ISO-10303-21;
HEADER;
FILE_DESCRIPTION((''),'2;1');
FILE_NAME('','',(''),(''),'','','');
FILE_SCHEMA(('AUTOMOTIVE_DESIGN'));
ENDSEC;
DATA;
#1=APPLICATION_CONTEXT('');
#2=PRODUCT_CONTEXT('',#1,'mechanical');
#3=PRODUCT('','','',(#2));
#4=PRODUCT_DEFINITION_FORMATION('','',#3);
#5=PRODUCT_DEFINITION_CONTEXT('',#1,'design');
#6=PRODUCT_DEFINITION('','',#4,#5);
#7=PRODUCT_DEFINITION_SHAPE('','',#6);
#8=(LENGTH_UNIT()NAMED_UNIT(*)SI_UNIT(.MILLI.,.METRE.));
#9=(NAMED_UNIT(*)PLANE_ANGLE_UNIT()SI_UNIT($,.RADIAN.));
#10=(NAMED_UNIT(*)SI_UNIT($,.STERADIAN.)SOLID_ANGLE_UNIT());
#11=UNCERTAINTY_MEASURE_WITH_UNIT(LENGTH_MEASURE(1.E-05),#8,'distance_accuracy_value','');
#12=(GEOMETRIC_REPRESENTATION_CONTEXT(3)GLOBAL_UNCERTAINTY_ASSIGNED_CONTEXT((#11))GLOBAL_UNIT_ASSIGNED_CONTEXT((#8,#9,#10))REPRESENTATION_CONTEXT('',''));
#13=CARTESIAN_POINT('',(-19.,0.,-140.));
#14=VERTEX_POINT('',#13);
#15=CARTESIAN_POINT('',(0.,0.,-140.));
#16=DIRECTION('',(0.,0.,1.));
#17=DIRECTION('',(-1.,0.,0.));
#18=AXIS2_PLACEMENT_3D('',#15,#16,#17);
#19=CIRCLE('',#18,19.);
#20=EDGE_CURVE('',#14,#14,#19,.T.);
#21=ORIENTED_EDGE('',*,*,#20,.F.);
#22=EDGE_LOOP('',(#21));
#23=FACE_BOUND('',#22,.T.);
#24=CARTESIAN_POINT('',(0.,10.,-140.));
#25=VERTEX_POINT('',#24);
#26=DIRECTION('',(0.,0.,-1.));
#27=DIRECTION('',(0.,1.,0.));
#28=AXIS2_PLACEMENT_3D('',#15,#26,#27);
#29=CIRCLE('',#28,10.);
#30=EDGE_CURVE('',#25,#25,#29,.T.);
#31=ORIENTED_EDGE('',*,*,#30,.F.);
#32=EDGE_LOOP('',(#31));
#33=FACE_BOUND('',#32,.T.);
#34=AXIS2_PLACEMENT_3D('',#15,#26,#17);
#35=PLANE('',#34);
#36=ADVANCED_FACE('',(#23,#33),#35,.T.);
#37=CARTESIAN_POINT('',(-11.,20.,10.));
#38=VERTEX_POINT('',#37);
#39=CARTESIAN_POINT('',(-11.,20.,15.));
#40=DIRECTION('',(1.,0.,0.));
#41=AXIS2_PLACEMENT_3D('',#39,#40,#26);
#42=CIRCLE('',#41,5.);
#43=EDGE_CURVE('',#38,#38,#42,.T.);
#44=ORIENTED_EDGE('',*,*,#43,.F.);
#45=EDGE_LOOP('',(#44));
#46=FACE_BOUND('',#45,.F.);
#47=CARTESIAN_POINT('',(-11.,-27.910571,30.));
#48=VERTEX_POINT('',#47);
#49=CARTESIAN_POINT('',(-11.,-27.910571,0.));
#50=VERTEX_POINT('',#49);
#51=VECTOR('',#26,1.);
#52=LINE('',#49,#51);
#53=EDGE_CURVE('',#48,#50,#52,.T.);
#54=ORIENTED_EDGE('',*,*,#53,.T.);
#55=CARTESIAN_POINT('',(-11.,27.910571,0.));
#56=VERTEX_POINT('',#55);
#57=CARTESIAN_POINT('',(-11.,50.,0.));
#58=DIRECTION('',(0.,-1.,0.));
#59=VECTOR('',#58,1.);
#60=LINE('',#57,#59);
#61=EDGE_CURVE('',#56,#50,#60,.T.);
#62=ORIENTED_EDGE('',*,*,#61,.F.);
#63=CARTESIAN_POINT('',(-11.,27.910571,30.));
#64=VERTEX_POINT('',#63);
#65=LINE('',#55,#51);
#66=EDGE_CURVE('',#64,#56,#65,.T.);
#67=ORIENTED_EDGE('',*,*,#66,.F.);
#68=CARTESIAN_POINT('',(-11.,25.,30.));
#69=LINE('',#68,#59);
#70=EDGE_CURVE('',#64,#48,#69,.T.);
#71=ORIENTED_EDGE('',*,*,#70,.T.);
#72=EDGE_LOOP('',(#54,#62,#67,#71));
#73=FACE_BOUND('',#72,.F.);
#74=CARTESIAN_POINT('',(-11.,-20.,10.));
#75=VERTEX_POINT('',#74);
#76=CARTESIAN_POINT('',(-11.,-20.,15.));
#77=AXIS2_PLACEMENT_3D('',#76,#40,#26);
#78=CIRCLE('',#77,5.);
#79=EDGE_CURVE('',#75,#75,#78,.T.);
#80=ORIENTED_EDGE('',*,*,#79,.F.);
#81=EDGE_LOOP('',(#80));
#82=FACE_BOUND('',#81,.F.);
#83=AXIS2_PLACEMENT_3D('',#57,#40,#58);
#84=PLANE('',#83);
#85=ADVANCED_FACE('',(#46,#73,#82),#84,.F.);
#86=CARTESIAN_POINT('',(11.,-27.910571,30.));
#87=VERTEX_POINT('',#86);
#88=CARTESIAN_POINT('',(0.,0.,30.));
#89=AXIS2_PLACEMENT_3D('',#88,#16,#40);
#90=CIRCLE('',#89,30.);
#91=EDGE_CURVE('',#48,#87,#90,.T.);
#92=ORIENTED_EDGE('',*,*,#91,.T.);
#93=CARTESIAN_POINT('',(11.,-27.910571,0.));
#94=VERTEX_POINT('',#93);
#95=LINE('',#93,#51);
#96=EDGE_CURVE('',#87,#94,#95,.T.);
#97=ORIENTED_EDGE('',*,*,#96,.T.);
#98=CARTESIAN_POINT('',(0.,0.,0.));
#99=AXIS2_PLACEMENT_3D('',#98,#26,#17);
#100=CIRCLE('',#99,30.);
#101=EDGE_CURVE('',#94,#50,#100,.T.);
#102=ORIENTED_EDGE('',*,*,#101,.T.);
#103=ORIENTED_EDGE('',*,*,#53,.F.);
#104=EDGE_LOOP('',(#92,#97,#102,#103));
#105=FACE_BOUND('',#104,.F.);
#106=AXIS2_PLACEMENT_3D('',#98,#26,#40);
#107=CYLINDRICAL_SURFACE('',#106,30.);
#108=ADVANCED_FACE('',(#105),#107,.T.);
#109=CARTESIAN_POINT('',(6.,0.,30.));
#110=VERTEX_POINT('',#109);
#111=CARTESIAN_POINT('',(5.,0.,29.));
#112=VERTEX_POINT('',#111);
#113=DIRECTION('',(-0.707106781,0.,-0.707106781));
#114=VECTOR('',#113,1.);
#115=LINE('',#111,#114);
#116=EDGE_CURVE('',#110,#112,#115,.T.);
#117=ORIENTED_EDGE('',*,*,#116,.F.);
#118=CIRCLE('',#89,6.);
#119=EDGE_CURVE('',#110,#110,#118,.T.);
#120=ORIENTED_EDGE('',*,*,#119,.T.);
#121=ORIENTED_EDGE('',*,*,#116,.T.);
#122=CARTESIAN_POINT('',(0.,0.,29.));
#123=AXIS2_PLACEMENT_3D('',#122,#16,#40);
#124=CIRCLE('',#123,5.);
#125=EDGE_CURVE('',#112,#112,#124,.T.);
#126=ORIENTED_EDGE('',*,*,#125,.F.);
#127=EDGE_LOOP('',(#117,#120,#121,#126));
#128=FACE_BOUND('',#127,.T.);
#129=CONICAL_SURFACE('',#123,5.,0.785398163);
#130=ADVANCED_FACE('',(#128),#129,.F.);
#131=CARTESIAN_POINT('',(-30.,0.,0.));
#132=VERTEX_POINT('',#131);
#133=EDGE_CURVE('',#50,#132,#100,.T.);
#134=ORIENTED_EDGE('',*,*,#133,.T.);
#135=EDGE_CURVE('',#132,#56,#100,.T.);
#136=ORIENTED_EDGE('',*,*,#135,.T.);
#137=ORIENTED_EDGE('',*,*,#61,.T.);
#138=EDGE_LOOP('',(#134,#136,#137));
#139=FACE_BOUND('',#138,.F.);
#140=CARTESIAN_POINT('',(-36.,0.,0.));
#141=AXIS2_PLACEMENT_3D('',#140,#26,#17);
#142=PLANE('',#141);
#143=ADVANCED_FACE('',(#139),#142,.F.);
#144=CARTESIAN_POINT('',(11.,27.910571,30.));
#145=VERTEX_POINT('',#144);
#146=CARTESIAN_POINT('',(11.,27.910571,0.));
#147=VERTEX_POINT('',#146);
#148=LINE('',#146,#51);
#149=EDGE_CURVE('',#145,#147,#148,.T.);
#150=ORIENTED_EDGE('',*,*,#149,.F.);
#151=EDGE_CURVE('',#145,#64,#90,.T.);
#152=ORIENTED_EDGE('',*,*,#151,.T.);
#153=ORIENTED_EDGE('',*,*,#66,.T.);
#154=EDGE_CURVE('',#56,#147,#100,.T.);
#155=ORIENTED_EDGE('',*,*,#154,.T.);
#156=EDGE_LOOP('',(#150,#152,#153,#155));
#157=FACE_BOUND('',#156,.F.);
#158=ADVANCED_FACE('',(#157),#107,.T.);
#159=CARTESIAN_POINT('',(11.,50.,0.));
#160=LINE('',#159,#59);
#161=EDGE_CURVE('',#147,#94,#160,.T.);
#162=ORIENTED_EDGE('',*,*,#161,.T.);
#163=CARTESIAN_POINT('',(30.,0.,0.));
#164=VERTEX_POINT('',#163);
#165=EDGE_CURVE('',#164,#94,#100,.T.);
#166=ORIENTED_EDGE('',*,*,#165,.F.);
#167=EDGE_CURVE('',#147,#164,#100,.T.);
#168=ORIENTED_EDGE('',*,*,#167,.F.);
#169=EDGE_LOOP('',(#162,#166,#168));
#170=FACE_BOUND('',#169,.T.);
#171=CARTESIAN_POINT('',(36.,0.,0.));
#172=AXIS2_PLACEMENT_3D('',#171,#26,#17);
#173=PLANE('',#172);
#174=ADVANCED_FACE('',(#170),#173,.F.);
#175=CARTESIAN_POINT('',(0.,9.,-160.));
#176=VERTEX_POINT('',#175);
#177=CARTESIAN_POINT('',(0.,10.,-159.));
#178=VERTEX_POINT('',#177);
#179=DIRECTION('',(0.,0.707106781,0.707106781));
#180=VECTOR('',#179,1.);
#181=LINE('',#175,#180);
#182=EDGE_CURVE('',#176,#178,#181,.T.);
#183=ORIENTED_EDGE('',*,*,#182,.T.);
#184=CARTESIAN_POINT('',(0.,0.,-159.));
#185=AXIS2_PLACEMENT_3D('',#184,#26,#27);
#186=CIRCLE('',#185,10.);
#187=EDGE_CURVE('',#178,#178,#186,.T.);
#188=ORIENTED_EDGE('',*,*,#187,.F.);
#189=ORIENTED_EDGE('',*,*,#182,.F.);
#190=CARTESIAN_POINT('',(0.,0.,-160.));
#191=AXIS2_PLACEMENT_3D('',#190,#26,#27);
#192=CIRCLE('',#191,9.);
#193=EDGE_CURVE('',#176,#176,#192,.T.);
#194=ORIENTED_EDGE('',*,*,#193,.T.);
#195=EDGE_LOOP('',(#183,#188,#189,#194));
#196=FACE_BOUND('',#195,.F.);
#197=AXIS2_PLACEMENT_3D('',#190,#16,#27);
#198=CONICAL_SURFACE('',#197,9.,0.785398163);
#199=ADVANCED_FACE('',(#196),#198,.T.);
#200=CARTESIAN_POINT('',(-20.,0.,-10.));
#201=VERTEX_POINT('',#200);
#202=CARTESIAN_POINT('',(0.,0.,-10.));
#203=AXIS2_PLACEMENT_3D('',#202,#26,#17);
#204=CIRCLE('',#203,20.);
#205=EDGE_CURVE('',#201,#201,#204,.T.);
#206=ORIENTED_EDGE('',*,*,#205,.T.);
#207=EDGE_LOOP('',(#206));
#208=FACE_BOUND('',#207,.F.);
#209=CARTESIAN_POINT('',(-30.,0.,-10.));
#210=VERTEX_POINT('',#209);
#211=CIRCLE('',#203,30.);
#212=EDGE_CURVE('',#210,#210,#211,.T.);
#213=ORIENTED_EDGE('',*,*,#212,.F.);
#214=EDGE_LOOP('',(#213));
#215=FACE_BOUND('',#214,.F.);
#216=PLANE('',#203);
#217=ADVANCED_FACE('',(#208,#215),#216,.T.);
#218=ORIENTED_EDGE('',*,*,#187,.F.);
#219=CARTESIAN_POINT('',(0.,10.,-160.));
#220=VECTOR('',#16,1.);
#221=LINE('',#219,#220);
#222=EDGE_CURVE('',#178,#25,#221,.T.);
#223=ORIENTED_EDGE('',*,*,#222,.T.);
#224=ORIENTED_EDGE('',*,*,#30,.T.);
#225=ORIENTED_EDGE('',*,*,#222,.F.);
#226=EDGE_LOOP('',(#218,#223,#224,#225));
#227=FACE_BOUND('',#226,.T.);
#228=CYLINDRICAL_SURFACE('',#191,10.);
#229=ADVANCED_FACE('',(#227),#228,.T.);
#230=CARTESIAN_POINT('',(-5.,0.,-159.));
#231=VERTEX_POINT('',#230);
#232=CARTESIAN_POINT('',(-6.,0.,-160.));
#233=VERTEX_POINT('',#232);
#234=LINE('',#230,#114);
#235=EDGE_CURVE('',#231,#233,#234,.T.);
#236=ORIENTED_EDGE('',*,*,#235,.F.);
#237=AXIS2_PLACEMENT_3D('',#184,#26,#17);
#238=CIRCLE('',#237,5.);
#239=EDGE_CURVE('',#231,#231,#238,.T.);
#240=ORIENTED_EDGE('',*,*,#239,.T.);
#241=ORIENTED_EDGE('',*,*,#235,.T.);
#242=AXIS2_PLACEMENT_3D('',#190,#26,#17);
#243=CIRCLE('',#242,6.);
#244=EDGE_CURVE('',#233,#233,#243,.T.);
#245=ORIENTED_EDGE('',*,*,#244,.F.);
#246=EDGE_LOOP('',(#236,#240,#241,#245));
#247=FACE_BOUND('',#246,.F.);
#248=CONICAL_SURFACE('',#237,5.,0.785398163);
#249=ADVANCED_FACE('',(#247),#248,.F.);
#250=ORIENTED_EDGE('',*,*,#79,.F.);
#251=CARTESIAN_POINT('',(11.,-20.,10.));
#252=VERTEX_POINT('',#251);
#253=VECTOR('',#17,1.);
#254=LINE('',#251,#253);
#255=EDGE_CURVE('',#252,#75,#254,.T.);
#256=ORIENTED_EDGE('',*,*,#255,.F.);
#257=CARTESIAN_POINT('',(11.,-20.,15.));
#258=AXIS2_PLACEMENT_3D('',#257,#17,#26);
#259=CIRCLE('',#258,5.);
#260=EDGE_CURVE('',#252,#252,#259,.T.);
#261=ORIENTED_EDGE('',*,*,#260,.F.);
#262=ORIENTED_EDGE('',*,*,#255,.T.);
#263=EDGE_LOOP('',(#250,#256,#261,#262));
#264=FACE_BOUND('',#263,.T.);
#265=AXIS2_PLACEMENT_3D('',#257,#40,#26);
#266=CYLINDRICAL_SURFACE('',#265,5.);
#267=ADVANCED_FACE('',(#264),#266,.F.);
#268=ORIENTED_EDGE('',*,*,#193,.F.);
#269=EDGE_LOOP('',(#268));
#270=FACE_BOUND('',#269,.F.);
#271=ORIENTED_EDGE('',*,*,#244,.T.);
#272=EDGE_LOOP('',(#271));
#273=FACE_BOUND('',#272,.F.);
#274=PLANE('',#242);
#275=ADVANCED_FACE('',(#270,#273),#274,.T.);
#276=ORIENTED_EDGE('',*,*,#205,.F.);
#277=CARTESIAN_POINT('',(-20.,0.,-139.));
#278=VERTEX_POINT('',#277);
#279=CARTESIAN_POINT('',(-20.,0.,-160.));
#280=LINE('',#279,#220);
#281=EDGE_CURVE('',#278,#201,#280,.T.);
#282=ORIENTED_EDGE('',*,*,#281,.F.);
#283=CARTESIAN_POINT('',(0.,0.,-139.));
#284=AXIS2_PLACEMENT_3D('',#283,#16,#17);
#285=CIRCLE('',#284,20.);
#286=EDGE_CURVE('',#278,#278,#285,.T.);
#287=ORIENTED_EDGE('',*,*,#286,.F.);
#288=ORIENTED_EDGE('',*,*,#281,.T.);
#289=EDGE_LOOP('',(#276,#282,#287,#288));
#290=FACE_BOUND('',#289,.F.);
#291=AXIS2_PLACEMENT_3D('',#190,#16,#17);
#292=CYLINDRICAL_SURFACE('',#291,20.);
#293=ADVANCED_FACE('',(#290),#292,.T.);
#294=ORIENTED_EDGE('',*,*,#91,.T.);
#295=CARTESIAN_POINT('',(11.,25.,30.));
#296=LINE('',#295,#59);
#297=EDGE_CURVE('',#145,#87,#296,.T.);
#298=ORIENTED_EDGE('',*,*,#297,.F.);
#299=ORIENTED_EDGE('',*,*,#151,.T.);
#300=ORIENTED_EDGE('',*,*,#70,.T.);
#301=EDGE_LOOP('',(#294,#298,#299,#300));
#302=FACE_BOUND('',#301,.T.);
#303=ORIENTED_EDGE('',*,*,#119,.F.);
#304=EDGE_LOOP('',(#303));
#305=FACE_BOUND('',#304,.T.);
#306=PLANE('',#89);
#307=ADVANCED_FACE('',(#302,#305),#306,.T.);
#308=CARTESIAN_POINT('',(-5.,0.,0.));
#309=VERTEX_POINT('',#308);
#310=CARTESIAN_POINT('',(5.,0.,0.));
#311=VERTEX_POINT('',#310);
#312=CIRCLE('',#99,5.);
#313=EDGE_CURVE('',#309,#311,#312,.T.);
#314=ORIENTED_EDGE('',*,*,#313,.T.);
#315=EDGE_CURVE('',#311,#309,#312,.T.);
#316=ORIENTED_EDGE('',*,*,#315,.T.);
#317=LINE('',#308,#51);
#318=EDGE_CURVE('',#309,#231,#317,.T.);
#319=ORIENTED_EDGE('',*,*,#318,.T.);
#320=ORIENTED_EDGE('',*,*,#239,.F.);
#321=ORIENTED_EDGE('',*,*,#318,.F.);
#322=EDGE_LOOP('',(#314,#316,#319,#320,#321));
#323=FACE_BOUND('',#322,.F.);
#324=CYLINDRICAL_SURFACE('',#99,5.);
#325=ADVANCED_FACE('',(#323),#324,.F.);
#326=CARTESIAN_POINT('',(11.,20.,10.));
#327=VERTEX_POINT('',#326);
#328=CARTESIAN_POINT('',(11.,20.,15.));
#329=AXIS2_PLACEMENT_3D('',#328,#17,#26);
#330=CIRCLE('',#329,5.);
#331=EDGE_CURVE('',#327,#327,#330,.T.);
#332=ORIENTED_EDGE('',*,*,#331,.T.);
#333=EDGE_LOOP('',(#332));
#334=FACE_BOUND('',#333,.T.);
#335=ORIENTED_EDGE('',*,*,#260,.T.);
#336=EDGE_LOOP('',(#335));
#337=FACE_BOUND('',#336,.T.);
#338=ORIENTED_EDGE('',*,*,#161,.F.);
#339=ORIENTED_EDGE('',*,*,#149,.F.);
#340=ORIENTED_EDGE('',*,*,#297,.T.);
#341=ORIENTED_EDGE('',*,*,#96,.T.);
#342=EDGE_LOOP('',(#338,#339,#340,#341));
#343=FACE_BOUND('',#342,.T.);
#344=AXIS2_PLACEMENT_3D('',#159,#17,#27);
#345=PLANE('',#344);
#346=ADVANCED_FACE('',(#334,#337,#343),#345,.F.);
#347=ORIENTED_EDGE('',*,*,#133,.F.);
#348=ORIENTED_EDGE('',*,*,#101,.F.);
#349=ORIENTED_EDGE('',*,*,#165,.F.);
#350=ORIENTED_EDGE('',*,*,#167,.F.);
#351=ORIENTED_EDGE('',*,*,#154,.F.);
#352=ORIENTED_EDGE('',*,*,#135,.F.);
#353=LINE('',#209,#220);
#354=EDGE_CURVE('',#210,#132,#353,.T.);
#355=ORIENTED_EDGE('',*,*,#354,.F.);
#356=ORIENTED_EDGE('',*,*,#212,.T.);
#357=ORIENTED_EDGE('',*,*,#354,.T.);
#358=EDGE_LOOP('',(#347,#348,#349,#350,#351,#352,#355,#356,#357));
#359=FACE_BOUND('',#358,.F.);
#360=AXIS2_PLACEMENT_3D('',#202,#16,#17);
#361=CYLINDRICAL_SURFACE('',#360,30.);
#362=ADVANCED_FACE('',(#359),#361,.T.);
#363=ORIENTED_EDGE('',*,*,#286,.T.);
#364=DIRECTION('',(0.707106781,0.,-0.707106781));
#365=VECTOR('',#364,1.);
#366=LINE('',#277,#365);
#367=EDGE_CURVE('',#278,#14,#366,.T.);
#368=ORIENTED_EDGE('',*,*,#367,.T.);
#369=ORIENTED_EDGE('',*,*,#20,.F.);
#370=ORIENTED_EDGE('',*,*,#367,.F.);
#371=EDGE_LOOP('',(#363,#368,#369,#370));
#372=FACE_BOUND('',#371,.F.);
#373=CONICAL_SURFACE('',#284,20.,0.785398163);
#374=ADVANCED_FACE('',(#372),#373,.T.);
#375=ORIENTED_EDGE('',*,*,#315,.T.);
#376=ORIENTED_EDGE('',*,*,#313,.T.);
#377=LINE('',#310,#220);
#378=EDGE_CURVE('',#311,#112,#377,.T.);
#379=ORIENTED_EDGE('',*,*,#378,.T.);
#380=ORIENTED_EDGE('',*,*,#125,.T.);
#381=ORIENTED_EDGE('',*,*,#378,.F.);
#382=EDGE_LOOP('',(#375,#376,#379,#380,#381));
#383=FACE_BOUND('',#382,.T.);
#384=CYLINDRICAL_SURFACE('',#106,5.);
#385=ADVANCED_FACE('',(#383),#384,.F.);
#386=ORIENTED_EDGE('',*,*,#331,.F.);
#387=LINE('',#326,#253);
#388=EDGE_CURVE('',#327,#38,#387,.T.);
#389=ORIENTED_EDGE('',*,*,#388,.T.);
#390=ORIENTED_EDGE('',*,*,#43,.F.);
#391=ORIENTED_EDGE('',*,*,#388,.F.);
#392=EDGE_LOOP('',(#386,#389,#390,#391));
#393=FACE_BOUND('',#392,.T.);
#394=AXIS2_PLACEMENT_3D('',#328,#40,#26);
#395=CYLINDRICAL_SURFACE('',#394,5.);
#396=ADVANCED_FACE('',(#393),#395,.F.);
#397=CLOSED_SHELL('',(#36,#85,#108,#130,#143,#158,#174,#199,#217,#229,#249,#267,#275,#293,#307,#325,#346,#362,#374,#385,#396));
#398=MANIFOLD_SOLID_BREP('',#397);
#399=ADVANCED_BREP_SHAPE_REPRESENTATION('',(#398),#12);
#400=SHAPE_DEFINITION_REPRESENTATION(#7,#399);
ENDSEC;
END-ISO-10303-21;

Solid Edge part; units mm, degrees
sketch "Sketch1" plane through (0, 0, 0) normal (0, -1, 0) x (1, 0, 0)
  line L0 (-30, 0) -> (-5, 0)
  line L1 (-5, 0) -> (-5, -160)
  line L2 (-5, -160) -> (-20, -160)
  line L3 (-20, -160) -> (-20, -10)
  line L4 (-20, -10) -> (-30, -10)
  line L5 (-30, -10) -> (-30, 0)
  dimension "D1" = 20
  dimension "D2" = 5
  dimension "D3" = 160
  dimension "D4" = 10
  dimension "D5" = 30
  dimension "D6" = 150
revolve "RevolvedProtrusion1" add sketch "Sketch1" angle 360 about axis through (0, 0, 54) along (0, 0, -1)
sketch "Sketch2" plane through (0, 0, -160) normal (0, 0, -1) x (0, 1, 0)
  circle A0 centre (0, 0) radius 10
  circle A1 centre (0, 0) radius 20
  dimension "D1" = 20
extrude "Cutout1" cut sketch "Sketch2" against normal blind 20
cosmetic_thread "Thread1" size "M20"
sketch "Sketch3" plane through (0, 0, 0) normal (0, 0, 1) x (1, 0, 0)
  circle A0 centre (0, 0) radius 30
  circle A1 centre (0, 0) radius 5
extrude "Ausprägung_1" add sketch "Sketch3" along normal blind 30
sketch "Sketch4" plane through (0, 0, 0) normal (0, 0, 1) x (1, 0, 0)
  line L0 (-61, 50) -> (-11, 50)
  line L1 (-11, 50) -> (-11, -50)
  line L2 (-11, -50) -> (-61, -50)
  line L3 (-61, -50) -> (-61, 50)
  dimension "D1" = 50
  dimension "D2" = 100
  dimension "D3" = 11
extrude "Cutout2" cut sketch "Sketch4" along normal up to next
mirror "Mirror1" about plane through (0, 0, 0) normal (1, 0, 0) of "Cutout2"
hole "Bohrung_1" at (11, -20, 15) direction (-1, 0, 0) diameter 10 end through all
hole "Hole1" at (11, 20, 15) direction (-1, 0, 0) diameter 10 end through all
extrude "Cutout4" [suppressed]
chamfer "Fase_2" distance 1 angle 45 2 edges at (0, -20, -140) (0, -10, -160)
chamfer "Fase_3" distance 1 angle 45 2 edges at (-5, 0, 30) (5, 0, -160)
properties material "Stahl"
